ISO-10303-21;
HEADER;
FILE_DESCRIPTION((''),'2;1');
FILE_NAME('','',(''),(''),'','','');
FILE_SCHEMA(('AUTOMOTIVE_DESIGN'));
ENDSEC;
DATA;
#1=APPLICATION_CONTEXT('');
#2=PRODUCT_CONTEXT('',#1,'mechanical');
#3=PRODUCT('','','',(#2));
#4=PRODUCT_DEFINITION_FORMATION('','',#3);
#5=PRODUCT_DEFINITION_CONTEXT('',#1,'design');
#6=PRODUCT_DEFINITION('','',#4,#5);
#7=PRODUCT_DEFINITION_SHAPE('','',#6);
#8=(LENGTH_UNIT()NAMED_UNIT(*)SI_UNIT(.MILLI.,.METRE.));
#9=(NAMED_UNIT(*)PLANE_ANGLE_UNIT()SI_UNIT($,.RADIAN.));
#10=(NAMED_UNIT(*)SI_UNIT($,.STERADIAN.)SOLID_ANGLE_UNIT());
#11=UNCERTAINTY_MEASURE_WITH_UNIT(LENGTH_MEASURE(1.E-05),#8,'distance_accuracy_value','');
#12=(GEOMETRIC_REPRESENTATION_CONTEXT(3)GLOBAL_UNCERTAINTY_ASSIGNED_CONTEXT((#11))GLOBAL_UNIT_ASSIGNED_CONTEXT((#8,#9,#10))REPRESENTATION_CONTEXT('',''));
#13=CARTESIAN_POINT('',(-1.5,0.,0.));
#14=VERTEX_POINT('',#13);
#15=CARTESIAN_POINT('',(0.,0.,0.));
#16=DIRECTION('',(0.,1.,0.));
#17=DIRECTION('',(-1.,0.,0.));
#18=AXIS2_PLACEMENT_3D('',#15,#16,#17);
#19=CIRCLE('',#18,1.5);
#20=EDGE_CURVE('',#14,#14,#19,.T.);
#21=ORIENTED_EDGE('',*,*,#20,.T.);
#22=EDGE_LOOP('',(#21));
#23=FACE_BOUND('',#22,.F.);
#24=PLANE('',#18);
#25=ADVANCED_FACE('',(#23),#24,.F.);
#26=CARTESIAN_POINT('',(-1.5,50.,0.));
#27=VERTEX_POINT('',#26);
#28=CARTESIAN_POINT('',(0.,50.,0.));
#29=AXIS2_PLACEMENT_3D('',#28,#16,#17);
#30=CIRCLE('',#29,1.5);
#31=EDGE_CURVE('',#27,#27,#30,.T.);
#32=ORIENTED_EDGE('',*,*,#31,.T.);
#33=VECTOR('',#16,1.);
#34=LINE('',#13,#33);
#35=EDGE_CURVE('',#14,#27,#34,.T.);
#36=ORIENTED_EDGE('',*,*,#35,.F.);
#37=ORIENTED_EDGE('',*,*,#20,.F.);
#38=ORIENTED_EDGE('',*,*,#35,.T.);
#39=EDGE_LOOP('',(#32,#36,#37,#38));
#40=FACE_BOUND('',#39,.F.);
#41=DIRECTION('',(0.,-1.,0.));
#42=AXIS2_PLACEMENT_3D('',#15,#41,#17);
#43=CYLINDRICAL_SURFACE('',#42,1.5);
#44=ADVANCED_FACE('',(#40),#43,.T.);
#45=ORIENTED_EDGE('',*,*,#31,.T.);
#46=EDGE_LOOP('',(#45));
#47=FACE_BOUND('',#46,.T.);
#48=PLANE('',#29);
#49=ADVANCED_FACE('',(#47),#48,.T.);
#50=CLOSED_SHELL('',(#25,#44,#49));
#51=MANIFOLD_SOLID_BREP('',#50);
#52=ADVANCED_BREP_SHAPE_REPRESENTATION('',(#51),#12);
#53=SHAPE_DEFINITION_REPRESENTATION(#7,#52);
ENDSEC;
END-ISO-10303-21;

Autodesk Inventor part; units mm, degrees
ref_plane "YZ Plane" through (0, 0, 0) normal (1, 0, 0) x (0, 1, 0)
ref_plane "XZ Plane" through (0, 0, 0) normal (0, 1, 0) x (-1, 0, 0)
ref_plane "XY Plane" through (0, 0, 0) normal (0, 0, 1) x (1, 0, 0)
sketch "Sketch1" plane through (0, 0, 0) normal (0, 1, 0) x (-1, 0, 0)
  circle A0 centre (0, 0) radius 1.5
  dimension "d0" = 3
extrude "Extrusion1" add sketch "Sketch1" along normal blind 50
properties part number "40mm Standoff" material "Nylon 6/6"
